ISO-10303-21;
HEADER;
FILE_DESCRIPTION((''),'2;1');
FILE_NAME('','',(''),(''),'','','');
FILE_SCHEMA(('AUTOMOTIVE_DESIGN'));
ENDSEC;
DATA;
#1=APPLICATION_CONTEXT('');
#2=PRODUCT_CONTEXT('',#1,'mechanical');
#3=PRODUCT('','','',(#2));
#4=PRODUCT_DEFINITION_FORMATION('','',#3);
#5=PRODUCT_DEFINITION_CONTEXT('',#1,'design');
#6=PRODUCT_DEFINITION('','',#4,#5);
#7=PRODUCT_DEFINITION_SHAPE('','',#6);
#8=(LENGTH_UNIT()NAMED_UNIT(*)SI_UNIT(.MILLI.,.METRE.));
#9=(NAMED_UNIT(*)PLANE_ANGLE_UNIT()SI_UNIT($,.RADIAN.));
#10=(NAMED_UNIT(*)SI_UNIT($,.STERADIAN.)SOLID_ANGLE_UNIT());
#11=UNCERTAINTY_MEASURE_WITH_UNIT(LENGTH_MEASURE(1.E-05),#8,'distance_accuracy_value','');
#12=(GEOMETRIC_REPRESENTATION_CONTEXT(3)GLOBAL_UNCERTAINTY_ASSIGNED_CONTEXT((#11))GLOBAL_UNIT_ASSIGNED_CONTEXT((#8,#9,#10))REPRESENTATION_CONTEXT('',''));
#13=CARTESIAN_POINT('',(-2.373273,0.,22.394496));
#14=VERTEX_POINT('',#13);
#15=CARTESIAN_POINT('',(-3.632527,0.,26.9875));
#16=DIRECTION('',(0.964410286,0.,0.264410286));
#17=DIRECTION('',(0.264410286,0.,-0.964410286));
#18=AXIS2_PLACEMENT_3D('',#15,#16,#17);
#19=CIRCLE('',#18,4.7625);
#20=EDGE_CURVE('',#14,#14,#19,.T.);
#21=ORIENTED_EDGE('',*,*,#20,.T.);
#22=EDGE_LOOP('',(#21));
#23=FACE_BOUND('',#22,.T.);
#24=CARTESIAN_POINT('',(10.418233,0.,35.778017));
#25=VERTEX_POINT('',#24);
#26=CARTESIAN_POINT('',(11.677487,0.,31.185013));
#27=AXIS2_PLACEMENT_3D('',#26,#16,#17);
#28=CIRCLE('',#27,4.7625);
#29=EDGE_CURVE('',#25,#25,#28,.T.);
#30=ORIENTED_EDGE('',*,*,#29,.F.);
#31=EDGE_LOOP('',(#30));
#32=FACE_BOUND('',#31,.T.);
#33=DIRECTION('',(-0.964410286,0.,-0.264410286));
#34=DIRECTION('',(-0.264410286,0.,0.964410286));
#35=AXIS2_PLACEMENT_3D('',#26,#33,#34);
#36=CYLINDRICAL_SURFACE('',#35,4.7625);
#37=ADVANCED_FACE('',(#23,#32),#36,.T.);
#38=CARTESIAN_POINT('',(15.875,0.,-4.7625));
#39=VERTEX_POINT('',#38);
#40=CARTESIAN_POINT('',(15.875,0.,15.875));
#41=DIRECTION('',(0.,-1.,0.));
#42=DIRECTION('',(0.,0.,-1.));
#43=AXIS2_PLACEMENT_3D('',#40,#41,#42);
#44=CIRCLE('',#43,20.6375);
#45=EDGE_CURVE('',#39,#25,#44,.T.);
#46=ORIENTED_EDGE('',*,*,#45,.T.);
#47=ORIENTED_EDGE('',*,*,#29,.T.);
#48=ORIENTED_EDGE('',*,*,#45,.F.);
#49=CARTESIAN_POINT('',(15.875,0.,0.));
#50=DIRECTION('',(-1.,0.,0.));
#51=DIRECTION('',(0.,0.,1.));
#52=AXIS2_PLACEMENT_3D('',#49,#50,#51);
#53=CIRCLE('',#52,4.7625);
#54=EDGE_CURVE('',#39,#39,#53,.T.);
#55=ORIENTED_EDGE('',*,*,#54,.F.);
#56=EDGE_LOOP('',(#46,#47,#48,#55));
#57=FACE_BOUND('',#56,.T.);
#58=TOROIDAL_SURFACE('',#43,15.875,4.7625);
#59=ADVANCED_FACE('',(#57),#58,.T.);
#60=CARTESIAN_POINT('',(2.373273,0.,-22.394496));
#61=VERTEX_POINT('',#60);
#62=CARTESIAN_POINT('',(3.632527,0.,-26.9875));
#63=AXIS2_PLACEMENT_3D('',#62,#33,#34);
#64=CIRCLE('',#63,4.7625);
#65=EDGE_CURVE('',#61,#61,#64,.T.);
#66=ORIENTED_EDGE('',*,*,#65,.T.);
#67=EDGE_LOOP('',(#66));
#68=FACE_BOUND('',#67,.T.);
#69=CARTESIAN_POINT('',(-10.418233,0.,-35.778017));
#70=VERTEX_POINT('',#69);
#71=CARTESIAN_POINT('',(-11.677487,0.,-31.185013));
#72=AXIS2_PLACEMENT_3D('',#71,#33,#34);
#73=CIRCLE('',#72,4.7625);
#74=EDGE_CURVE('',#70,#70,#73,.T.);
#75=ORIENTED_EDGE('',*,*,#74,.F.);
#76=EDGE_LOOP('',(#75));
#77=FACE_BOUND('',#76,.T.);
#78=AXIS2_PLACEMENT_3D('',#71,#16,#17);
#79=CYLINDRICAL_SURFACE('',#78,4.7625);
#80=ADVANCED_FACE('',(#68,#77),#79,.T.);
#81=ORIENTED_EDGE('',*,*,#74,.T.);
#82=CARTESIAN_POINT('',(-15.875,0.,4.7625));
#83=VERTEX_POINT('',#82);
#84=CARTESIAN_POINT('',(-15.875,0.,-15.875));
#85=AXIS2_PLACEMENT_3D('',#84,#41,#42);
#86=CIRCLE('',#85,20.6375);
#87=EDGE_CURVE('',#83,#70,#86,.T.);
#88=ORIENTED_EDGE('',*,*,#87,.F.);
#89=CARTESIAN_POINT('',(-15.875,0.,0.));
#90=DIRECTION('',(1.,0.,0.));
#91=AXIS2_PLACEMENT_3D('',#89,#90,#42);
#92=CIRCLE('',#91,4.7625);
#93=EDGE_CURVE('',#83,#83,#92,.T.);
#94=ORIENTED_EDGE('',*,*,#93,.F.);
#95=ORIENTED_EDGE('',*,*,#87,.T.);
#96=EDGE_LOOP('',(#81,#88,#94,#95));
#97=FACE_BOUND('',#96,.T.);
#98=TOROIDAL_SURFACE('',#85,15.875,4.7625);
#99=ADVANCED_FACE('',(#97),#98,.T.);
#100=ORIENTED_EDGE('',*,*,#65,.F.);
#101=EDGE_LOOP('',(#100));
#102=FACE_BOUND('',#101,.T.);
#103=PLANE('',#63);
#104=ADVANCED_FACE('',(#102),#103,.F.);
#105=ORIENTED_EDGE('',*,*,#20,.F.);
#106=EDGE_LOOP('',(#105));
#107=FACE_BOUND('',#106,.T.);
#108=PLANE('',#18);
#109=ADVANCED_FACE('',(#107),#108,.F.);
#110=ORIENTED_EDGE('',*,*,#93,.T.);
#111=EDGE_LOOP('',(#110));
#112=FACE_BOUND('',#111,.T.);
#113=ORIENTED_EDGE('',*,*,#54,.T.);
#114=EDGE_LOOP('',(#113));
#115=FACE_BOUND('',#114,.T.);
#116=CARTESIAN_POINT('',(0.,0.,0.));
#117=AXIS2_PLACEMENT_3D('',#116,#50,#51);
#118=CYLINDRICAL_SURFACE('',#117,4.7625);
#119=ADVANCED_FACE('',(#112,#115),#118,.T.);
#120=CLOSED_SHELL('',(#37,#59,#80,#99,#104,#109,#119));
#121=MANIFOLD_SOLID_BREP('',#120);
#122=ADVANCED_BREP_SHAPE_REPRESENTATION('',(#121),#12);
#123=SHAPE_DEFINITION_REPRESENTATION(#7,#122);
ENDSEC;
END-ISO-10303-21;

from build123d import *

# Parameters (mm, degrees)
SKETCH2_R         = 4.7625
CIRPATTERN1_COUNT = 2


with BuildPart() as part:
    # Sweep1: sweep along a path in Sketch1
    with BuildLine(Plane(origin=(0, 0, 0), x_dir=(1, 0, 0), z_dir=(0, 1, 0))) as sweep1_path:
        Line((0, 0), (-15.875, 0))
        ThreePointArc((-15.875, 0), (-31.608119304, 17.992683159), (-11.677486704, 31.185013296))
        Line((-11.677486704, 31.185013296), (3.632526592, 26.9875))
    # Sketch2 → Sweep1 (sweep)
    with BuildSketch(Plane(origin=(0, 0, 0), x_dir=(0, 0, -1), z_dir=(1, 0, 0))):
        Circle(SKETCH2_R)
    sweep1 = sweep(path=sweep1_path.line)

    # CirPattern1: Sweep1 ×2 about axis
    cirpattern1_axis = Axis((0, 55, 0), (0, -1, 0))
    for i in range(1, CIRPATTERN1_COUNT):
        add(sweep1.rotate(cirpattern1_axis, i * 360 / CIRPATTERN1_COUNT))


solid = part.part
